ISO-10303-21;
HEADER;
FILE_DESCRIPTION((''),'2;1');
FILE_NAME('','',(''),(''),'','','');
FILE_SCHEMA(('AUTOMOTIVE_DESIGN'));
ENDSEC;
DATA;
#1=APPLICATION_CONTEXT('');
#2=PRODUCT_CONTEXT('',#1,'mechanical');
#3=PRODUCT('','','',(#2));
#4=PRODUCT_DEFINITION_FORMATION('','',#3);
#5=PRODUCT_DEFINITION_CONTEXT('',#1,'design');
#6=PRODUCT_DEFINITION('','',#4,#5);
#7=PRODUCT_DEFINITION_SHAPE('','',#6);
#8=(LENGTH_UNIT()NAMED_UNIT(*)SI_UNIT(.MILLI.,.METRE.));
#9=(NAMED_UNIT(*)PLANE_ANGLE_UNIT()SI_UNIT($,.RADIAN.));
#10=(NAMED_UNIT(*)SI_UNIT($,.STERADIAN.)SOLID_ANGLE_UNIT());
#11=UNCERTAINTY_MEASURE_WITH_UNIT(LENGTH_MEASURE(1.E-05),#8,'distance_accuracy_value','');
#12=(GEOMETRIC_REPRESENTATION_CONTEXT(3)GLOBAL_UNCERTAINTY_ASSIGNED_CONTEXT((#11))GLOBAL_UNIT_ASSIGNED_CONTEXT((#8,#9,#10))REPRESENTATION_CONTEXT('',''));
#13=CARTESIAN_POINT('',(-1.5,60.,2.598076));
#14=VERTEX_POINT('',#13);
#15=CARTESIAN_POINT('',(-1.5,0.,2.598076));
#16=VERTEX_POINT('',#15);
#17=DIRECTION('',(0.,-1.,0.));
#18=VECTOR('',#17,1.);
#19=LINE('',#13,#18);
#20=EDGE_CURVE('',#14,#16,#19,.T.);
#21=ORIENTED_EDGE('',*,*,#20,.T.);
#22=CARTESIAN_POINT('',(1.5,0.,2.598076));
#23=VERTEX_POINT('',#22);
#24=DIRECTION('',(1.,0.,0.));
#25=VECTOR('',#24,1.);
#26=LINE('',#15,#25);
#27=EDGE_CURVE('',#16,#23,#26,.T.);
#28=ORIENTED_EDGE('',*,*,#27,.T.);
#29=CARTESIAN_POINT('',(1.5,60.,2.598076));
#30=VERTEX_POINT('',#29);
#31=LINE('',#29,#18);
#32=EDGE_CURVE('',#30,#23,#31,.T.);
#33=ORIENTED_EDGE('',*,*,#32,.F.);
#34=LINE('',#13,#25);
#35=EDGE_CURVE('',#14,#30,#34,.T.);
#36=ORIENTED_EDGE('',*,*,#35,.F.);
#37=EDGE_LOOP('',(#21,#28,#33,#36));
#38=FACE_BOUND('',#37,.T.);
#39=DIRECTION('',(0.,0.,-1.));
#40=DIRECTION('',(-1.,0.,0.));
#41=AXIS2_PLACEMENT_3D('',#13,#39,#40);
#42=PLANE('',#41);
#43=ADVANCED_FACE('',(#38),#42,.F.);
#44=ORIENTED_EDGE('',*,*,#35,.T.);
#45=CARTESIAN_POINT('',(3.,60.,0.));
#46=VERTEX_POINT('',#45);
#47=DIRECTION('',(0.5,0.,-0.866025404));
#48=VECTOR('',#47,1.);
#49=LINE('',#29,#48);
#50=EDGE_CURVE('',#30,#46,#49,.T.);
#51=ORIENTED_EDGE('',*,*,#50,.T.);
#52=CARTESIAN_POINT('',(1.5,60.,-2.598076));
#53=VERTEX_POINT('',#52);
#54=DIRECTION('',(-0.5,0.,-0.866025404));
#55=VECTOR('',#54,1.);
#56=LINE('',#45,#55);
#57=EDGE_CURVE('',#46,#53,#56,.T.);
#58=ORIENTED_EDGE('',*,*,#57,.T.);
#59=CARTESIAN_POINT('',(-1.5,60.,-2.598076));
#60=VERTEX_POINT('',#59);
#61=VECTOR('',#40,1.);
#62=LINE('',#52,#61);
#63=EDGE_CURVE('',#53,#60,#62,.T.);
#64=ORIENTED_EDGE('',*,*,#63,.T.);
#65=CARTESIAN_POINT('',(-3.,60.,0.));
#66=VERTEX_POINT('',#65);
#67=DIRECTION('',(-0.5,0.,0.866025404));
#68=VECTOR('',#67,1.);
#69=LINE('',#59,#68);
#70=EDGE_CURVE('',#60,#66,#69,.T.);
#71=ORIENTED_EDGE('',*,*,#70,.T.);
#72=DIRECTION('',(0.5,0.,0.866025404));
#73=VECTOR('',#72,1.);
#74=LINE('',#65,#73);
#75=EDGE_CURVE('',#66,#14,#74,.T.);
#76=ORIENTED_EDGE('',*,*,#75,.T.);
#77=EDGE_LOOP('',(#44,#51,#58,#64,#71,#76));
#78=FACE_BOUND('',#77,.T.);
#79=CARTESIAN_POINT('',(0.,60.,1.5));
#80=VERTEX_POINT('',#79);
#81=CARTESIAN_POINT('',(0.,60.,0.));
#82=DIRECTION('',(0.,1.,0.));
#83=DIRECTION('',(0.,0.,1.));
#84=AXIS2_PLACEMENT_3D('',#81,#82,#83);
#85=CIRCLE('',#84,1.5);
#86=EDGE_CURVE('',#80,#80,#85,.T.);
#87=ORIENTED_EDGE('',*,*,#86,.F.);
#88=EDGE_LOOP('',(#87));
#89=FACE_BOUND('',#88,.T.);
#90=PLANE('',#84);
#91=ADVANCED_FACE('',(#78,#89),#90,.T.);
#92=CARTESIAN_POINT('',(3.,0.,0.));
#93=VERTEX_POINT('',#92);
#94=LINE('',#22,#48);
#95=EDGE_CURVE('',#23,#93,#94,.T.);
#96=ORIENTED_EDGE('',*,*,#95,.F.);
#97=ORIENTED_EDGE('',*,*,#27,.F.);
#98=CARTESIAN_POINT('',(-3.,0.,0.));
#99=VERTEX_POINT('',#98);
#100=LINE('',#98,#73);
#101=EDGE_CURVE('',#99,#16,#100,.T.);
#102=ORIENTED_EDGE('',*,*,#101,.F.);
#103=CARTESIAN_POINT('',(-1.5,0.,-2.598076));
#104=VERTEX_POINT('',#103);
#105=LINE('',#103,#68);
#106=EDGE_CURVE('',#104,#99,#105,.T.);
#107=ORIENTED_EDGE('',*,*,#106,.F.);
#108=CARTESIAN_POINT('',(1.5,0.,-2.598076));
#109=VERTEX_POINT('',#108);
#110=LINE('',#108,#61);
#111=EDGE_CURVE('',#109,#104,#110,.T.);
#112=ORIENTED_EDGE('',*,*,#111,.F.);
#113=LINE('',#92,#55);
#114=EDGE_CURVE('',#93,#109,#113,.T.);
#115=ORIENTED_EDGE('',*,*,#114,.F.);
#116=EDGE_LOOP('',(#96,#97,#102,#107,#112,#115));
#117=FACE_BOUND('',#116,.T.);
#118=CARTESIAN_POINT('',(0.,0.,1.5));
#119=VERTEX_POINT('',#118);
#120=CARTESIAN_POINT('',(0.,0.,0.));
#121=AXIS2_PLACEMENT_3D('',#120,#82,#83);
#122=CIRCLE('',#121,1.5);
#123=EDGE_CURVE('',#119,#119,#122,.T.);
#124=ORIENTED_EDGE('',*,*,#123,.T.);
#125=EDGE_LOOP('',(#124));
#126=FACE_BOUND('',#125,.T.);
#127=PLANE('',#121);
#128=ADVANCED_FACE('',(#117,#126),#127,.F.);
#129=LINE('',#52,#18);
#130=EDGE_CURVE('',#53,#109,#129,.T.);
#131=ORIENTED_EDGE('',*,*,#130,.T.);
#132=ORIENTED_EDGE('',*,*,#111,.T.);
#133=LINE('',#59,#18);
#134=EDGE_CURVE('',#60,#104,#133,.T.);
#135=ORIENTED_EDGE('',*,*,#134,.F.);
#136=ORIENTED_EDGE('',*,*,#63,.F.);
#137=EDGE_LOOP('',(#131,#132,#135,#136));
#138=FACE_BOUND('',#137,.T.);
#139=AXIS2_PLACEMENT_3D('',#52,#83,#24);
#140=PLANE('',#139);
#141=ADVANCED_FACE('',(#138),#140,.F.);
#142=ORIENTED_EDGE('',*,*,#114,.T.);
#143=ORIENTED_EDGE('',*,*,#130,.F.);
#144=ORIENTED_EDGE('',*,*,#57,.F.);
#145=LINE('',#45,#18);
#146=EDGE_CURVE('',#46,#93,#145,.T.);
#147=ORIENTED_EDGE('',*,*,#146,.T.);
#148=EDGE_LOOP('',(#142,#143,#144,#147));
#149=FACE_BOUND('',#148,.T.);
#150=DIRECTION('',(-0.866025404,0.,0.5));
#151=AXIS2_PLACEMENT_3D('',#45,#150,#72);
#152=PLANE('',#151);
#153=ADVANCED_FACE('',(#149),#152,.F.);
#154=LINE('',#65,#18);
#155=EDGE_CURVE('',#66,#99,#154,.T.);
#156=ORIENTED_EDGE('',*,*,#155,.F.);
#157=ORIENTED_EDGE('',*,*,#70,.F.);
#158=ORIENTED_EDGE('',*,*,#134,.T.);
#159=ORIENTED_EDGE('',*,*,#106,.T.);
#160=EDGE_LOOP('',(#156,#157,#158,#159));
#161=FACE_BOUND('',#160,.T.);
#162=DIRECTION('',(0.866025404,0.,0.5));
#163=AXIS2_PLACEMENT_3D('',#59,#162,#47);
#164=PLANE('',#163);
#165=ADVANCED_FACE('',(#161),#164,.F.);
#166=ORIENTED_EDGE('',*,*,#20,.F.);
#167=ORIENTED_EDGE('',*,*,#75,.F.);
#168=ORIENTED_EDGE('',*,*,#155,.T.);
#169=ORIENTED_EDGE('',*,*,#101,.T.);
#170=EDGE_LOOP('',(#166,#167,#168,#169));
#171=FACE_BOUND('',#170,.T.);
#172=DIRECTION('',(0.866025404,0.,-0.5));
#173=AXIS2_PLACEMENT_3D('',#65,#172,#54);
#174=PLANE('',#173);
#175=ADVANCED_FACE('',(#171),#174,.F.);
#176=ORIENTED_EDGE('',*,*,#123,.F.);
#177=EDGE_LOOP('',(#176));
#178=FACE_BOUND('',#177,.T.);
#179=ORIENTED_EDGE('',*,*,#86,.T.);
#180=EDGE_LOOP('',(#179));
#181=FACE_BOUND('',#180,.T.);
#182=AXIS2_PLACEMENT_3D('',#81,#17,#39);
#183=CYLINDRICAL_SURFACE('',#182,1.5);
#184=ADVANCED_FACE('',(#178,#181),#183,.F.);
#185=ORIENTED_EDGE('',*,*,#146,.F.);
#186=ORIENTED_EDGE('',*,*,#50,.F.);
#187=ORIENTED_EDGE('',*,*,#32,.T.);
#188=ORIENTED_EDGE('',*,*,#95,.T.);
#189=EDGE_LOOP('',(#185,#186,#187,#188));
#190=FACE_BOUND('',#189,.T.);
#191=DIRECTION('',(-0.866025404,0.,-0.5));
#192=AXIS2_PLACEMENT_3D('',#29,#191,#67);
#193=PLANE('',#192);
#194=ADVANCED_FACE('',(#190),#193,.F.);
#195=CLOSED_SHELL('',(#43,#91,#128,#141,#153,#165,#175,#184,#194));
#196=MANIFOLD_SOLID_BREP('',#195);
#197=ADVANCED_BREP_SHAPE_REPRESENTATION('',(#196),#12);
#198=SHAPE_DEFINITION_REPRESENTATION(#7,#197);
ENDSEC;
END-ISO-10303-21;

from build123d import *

# Parameters (mm, degrees)
SKETCH2_R           = 1.5
BOSS_EXTRUDE1_DEPTH = 60


with BuildPart() as part:
    # Sketch2 → Boss-Extrude1 (new body)
    with BuildSketch(Plane(origin=(0, 0, 0), x_dir=(1, 0, 0), z_dir=(0, 1, 0))):
        Polygon((3, 0), (1.5, 2.598076211), (-1.5, 2.598076211), (-3, 0), (-1.5, -2.598076211), (1.5, -2.598076211), align=None)
        with Locations(Location((0, 0, 0), (0, 0, 270))):
            Circle(SKETCH2_R, mode=Mode.SUBTRACT)
    extrude(amount=BOSS_EXTRUDE1_DEPTH)


solid = part.part
